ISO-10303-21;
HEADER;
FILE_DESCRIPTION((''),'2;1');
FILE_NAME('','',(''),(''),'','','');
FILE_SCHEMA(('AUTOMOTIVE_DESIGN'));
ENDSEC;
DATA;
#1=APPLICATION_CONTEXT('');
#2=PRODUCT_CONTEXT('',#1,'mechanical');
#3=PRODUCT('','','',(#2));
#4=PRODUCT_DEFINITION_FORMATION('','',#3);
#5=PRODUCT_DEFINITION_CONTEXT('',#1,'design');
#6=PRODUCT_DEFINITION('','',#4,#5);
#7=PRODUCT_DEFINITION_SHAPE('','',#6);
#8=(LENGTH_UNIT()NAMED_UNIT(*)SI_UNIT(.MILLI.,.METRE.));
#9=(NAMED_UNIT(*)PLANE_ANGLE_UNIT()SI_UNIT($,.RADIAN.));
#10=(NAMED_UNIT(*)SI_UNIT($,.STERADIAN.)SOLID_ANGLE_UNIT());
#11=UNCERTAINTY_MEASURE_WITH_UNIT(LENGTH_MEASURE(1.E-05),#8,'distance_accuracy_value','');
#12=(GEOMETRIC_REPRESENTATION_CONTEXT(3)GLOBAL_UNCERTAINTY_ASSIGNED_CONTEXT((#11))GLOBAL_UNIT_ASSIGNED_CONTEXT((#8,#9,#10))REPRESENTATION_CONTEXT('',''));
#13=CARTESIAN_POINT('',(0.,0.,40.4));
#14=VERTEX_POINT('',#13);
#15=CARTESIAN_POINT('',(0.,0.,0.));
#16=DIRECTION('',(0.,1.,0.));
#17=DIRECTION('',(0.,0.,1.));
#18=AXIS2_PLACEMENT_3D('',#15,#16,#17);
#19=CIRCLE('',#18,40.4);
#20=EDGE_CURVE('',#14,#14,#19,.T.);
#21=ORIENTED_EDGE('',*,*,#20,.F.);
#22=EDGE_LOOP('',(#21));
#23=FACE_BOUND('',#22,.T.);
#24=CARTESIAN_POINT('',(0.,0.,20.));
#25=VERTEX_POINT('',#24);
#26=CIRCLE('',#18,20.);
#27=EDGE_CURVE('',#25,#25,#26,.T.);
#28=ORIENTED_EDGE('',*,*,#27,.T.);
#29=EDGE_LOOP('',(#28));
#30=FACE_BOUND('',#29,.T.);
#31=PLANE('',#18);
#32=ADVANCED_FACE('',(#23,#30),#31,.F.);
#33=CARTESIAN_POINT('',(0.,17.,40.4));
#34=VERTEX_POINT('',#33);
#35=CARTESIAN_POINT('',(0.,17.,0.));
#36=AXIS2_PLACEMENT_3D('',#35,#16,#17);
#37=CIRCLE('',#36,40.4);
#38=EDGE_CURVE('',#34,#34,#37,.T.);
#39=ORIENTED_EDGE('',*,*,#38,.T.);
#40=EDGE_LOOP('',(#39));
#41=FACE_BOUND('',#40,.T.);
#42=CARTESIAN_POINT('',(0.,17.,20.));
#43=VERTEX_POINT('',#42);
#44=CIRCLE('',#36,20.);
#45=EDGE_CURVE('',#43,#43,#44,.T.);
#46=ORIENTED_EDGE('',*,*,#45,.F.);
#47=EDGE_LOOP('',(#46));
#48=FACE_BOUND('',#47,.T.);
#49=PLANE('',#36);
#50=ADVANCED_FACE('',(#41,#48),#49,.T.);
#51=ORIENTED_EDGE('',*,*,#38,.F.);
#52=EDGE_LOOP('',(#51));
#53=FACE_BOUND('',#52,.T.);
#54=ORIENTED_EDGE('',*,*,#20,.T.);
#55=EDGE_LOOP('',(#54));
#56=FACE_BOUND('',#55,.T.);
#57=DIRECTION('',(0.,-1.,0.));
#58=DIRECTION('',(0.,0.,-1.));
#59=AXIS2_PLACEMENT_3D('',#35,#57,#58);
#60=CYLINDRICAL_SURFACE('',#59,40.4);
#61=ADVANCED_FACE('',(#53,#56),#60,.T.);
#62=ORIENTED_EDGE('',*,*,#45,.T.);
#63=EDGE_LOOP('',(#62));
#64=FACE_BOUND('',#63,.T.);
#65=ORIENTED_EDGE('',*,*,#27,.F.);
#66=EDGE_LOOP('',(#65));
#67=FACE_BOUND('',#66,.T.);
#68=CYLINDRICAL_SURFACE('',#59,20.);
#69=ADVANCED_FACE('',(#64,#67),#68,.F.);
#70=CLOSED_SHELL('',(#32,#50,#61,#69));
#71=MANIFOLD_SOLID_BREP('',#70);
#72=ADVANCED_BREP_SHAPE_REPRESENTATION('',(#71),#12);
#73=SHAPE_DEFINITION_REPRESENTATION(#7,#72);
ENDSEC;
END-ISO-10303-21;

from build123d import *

# Parameters (mm, degrees)
SKETCH_1_R      = 40.4
SKETCH_1_R_2    = 20
EXTRUDE_1_DEPTH = 17


with BuildPart() as part:
    # 草图1 → 凸台-拉伸1 (new body)
    with BuildSketch(Plane(origin=(0, 0, 0), x_dir=(1, 0, 0), z_dir=(0, 1, 0))):
        with Locations(Location((0, 0, 0), (0, 0, 270))):
            Circle(SKETCH_1_R)
        with Locations(Location((0, 0, 0), (0, 0, 270))):
            Circle(SKETCH_1_R_2, mode=Mode.SUBTRACT)
    extrude(amount=EXTRUDE_1_DEPTH)


solid = part.part
